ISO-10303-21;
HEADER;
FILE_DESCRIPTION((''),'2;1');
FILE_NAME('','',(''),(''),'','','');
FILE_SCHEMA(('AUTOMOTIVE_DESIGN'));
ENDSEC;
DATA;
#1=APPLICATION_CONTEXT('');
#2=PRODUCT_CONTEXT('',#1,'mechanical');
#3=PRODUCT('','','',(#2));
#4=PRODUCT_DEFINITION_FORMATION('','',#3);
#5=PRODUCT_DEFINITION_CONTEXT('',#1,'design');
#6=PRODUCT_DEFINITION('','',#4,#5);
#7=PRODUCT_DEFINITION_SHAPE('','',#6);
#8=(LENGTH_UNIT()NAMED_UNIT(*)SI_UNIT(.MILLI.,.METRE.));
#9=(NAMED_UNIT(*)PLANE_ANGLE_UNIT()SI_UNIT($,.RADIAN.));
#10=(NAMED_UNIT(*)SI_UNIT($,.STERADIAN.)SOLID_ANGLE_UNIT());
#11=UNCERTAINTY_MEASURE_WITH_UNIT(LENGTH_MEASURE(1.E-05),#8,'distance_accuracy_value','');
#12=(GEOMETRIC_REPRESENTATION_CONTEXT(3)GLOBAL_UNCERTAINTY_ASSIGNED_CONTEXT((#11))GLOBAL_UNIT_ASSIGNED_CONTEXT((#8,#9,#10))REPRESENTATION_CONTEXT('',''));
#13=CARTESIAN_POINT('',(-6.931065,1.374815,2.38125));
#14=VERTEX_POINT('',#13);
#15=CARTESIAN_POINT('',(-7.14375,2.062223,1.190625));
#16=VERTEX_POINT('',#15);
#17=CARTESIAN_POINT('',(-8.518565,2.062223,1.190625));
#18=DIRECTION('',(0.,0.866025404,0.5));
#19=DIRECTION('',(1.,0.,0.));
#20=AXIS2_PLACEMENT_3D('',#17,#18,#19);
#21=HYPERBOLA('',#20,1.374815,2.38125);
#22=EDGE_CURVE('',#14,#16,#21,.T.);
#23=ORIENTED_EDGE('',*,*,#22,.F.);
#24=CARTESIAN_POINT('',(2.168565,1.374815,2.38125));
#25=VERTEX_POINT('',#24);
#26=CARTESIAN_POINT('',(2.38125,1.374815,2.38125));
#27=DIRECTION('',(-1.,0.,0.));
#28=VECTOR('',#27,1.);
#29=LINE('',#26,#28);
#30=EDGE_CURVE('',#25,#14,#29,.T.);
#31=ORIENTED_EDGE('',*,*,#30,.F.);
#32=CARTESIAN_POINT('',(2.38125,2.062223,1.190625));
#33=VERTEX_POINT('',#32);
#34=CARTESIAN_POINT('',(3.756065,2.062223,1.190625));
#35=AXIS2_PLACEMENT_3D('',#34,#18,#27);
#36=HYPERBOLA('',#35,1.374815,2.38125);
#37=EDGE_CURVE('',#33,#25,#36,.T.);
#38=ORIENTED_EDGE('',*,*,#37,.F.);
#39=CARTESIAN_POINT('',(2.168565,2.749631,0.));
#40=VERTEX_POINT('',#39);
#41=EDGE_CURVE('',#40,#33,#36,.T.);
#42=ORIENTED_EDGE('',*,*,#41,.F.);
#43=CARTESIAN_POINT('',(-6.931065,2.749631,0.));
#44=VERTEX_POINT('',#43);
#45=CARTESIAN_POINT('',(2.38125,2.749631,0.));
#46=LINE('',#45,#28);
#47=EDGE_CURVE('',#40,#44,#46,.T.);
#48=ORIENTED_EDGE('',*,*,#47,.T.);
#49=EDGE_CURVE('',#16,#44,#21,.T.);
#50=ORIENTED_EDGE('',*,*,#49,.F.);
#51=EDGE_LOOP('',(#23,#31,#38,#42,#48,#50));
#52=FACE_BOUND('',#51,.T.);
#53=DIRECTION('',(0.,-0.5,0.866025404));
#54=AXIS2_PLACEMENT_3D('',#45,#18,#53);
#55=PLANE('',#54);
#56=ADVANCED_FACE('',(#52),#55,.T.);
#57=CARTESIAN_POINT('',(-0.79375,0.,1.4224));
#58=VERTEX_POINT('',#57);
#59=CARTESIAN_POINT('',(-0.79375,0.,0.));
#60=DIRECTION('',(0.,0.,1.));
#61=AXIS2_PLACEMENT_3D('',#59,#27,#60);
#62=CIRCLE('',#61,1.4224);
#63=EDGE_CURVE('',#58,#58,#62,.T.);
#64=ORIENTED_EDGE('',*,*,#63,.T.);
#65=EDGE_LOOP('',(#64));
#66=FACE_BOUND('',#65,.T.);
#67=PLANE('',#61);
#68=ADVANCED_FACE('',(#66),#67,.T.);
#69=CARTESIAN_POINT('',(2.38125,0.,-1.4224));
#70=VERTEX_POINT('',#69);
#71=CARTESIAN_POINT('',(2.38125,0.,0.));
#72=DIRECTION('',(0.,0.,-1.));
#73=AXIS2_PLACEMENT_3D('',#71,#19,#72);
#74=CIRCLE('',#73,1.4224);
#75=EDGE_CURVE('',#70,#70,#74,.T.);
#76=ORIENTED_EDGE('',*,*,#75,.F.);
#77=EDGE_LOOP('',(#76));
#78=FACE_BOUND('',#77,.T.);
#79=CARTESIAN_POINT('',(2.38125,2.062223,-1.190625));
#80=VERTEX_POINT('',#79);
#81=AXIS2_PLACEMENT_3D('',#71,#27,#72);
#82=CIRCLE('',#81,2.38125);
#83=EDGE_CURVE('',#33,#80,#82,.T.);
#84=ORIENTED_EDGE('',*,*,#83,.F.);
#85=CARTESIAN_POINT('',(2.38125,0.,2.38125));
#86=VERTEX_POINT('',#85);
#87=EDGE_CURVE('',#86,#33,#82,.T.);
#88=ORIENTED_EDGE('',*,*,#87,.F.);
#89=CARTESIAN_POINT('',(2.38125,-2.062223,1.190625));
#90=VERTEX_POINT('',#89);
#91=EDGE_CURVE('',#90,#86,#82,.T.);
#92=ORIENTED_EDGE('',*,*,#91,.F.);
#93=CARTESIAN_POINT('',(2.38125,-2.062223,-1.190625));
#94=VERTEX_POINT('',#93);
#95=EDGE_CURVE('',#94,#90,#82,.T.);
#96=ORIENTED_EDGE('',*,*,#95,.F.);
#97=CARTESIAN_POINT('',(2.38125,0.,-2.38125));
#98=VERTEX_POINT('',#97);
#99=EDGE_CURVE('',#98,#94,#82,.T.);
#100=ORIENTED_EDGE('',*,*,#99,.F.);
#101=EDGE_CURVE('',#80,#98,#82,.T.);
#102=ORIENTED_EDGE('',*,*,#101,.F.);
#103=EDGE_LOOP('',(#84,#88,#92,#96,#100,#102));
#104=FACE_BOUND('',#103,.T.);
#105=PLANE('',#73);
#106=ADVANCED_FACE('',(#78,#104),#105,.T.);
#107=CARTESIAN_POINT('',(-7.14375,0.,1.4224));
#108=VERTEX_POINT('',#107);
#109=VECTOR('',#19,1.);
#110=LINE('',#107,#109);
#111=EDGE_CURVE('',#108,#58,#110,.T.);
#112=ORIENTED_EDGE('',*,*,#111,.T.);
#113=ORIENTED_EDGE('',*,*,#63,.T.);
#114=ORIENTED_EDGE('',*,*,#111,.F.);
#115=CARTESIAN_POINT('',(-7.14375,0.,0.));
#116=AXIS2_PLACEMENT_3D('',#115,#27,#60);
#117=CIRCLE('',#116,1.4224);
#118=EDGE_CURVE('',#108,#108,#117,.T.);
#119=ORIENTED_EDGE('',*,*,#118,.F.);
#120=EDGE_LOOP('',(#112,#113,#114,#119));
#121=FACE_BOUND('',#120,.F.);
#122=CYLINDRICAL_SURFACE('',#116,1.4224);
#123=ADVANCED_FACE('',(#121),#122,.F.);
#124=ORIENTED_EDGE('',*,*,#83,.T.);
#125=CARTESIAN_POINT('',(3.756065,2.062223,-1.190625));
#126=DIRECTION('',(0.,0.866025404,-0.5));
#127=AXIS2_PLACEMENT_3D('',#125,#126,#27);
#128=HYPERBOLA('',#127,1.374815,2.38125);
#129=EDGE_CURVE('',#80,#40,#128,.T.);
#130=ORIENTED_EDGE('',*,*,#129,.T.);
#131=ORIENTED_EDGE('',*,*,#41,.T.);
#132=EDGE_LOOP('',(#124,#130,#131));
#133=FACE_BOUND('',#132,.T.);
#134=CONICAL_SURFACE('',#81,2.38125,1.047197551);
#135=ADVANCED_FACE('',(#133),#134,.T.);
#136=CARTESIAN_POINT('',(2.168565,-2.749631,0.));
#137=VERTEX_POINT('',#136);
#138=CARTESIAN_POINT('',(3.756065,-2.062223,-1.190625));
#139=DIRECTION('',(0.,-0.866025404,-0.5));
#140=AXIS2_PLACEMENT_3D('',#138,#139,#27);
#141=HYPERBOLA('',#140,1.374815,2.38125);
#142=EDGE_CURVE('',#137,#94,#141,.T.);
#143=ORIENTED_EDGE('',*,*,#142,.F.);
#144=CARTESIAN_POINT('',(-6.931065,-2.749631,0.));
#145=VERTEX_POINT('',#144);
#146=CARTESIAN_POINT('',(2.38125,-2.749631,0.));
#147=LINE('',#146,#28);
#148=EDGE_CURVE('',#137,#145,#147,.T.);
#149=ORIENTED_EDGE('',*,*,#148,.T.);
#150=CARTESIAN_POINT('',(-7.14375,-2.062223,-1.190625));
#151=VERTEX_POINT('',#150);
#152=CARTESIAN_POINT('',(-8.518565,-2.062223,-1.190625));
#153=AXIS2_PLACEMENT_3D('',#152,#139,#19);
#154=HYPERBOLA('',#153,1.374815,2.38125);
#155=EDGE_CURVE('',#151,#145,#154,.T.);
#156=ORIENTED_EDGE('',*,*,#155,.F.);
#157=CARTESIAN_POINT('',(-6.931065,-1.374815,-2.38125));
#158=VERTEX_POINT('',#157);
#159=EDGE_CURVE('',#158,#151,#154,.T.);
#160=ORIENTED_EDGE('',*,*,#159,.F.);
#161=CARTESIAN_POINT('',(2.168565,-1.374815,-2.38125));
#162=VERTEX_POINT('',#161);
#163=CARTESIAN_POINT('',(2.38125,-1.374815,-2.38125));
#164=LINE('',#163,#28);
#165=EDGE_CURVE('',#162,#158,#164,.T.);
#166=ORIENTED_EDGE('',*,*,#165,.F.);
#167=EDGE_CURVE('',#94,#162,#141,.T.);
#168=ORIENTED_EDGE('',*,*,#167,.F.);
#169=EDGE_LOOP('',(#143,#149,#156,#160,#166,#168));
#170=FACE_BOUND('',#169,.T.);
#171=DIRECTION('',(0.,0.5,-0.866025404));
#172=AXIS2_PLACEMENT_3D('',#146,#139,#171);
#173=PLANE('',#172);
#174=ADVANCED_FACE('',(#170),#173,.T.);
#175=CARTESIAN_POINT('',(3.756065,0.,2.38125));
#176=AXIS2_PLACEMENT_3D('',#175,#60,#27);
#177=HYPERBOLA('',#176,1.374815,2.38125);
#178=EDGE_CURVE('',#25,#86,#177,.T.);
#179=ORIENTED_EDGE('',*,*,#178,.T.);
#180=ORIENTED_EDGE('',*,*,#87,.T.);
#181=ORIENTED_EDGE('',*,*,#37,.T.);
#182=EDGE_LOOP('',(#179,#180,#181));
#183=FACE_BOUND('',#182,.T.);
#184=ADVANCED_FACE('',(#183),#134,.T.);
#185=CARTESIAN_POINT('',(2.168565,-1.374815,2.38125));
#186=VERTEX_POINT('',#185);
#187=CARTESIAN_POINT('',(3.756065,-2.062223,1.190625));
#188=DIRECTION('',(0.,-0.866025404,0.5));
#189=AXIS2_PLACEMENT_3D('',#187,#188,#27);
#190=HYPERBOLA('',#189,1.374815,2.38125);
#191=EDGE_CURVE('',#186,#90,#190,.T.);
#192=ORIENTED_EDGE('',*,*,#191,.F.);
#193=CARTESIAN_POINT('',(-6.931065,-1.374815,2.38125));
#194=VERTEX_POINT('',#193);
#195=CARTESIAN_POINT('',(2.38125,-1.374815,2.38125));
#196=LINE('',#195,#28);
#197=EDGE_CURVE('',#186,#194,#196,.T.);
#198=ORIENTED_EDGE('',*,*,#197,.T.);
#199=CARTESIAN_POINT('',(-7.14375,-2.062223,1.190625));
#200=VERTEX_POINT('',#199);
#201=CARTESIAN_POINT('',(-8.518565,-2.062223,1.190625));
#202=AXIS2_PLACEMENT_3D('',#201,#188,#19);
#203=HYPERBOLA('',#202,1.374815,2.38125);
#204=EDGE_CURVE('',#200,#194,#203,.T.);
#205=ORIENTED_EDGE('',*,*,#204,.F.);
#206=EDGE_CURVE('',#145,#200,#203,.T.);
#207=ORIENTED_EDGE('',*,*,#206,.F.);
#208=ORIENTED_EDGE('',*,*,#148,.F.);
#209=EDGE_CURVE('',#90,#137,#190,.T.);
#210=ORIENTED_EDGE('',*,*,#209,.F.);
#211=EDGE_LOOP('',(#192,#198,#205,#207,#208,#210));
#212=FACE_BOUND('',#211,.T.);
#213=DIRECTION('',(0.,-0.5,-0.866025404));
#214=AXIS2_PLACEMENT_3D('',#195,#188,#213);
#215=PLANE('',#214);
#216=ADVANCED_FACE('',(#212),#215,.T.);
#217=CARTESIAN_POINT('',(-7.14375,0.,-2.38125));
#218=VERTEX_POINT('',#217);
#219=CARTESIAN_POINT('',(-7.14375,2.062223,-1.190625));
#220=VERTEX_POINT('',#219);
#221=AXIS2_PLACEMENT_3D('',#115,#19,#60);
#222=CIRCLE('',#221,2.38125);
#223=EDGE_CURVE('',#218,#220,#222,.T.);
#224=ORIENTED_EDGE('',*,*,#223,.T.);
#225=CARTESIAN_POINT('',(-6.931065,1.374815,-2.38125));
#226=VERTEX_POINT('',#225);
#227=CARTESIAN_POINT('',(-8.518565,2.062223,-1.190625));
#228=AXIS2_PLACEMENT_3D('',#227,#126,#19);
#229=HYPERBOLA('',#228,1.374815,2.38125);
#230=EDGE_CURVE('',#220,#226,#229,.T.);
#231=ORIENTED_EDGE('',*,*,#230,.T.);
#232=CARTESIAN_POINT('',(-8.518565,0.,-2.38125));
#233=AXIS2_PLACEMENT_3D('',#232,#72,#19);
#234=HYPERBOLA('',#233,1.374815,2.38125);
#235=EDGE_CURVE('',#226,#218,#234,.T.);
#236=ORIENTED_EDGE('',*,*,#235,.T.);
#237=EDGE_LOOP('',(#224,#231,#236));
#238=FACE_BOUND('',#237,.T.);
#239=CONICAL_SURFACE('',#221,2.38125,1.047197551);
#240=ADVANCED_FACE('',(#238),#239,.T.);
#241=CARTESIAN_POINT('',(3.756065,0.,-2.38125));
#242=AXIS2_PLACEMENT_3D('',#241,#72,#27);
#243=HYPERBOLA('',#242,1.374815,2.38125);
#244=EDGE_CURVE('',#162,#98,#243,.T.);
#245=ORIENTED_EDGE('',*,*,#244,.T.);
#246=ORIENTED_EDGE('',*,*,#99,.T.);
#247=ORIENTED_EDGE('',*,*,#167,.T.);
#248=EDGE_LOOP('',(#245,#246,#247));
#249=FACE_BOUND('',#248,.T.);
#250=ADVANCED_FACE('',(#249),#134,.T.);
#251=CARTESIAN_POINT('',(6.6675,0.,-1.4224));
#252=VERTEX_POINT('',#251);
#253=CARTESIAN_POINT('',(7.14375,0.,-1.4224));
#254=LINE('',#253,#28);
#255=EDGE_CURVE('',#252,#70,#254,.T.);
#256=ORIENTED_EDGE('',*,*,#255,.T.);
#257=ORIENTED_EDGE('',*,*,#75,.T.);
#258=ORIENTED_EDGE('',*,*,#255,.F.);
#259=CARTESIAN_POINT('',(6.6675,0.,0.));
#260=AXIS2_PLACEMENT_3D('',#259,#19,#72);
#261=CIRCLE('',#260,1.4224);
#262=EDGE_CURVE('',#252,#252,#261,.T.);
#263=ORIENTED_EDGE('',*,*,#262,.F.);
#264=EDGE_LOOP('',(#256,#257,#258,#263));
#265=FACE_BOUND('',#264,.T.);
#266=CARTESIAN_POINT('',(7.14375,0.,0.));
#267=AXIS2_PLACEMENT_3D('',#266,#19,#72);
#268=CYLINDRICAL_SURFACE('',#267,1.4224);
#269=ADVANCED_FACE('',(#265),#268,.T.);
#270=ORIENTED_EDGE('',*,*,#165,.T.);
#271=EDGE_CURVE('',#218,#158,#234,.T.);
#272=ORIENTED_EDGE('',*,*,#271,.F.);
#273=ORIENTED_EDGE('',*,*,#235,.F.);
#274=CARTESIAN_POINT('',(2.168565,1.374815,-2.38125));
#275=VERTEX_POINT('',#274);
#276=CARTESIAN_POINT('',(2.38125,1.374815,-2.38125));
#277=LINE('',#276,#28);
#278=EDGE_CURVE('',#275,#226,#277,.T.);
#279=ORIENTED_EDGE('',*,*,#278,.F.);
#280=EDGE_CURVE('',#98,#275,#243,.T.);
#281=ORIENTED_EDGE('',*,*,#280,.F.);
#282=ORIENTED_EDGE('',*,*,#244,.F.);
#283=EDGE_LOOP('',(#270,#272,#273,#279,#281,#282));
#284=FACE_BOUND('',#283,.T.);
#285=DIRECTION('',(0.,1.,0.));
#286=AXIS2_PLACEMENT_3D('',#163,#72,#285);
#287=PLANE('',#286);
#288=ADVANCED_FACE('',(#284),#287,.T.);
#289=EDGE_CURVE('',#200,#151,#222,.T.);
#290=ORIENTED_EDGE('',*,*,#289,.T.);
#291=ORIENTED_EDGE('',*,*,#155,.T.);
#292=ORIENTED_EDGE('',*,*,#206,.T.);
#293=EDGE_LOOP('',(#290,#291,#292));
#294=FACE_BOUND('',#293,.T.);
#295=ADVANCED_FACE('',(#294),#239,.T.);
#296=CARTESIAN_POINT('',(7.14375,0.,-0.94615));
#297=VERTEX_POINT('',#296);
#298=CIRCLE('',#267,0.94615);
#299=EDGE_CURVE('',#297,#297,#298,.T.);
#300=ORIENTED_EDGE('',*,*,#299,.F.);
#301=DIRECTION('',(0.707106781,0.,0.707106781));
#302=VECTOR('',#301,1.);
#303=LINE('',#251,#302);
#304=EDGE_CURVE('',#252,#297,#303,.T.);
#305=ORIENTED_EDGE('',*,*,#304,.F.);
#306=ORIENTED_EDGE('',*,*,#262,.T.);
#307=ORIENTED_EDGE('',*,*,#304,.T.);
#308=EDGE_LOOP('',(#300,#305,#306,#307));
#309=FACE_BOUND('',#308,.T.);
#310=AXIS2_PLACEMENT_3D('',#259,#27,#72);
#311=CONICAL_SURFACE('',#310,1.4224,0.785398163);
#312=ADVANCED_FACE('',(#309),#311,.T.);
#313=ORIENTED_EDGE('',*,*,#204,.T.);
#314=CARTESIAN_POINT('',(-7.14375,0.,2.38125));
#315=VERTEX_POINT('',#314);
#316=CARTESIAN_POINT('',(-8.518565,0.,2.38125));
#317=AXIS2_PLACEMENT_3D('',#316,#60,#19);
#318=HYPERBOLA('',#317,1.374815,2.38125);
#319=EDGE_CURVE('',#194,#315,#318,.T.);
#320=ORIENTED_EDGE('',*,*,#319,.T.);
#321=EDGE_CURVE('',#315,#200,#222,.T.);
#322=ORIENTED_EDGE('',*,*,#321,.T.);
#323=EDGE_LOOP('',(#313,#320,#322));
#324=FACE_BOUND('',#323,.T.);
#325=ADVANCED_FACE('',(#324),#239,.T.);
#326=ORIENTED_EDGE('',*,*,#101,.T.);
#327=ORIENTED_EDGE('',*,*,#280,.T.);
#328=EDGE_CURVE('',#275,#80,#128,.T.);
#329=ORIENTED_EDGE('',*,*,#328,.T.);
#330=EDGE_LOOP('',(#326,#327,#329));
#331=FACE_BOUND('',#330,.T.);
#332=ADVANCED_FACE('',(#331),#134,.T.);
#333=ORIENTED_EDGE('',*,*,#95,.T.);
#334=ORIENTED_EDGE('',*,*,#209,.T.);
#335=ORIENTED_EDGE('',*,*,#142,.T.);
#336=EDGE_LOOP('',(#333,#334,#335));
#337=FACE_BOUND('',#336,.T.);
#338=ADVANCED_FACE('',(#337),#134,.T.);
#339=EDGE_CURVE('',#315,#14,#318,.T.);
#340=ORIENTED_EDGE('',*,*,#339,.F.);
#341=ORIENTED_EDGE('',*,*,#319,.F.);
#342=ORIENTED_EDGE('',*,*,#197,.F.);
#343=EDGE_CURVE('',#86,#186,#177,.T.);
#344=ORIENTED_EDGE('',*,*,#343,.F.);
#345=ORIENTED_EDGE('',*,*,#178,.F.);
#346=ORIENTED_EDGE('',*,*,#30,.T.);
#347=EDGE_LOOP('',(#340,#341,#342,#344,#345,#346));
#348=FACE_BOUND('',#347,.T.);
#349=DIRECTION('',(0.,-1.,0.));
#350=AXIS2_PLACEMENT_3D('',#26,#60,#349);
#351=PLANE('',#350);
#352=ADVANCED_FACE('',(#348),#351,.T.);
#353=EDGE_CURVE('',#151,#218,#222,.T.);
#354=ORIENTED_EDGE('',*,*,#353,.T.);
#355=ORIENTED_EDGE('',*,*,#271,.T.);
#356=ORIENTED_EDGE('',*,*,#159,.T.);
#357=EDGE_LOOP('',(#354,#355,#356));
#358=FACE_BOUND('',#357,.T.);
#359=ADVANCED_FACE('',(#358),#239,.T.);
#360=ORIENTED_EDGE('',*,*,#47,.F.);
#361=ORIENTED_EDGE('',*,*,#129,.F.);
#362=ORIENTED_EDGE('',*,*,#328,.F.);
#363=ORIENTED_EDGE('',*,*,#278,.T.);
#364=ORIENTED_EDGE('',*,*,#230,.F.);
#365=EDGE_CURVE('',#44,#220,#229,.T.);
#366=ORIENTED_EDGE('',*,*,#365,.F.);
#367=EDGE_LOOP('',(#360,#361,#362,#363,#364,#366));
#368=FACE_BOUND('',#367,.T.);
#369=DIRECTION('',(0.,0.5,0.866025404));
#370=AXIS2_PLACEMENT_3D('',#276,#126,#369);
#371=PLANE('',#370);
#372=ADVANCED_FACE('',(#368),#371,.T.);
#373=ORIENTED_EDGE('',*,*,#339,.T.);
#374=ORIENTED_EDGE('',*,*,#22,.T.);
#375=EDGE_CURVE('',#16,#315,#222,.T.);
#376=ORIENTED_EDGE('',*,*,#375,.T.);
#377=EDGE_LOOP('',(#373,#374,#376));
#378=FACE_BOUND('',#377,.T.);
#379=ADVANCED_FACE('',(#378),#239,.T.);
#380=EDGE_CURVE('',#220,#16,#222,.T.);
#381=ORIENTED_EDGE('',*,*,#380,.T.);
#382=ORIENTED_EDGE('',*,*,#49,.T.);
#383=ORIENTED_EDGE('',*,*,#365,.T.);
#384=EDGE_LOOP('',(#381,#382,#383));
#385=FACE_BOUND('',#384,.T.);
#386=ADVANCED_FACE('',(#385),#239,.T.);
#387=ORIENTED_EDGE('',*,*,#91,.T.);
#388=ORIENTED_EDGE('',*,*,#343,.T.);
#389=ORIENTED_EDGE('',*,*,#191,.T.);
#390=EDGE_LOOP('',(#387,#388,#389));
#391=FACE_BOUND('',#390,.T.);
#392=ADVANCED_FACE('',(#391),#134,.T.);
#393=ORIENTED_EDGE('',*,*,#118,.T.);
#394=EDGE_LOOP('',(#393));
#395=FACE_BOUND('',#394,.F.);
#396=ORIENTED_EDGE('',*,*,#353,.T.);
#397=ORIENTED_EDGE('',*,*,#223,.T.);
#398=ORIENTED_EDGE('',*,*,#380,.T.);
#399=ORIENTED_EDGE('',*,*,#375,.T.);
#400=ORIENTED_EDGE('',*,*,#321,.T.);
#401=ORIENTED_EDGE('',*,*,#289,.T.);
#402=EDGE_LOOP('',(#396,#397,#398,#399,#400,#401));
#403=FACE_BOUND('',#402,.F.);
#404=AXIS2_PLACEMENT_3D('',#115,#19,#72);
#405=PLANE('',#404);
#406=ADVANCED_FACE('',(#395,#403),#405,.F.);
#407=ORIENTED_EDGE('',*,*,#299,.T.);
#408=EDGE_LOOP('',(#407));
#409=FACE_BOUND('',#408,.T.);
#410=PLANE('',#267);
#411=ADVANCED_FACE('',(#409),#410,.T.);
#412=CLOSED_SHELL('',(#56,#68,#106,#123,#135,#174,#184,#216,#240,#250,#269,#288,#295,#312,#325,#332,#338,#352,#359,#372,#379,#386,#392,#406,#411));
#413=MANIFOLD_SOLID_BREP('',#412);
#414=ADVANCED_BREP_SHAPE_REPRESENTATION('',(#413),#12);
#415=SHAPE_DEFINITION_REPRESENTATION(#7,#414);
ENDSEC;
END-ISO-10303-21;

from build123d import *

# Parameters (mm, degrees)
SKETCH2_R         = 1.4224
EXTRUDE1_DEPTH    = 4.7625
CHAMFER1_SIZE     = 0.47625
EXTRUDE4_DEPTH    = 9.525
SKETCH8_OUTSIDE_W = 62.926
SKETCH8_OUTSIDE_H = 63.664
SKETCH8_OUTSIDE_R = 2.38125
EXTRUDE5_DEPTH    = 15.2875
EXTRUDE5_TAPER    = 60
SKETCH9_OUTSIDE_W = 46.428
SKETCH9_OUTSIDE_H = 47.166
SKETCH9_OUTSIDE_R = 2.38125
EXTRUDE6_DEPTH    = 10.525
EXTRUDE6_TAPER    = 60
SKETCH10_R        = 1.4224
EXTRUDE7_DEPTH    = 6.35


with BuildPart() as part:
    # Sketch2 → Extrude1 (new body)
    with BuildSketch(Plane(origin=(7.14375, 0, 0), x_dir=(0, 0, -1), z_dir=(1, 0, 0))):
        Circle(SKETCH2_R)
    extrude(amount=-EXTRUDE1_DEPTH)

    # Chamfer1
    chamfer1_edges = [part.edges().sort_by_distance(p)[0] for p in [
        (7.14375, 0, 1.4224),
    ]]
    chamfer(chamfer1_edges, length=CHAMFER1_SIZE)

    # Sketch7 → Extrude4 (add)
    with BuildSketch(Plane(origin=(2.38125, 0, 0), x_dir=(0, 0, -1), z_dir=(1, 0, 0))):
        Polygon((0, 2.749630657), (-2.38125, 1.374815329), (-2.38125, -1.374815329), (0, -2.749630657), (2.38125, -1.374815329), (2.38125, 1.374815329), align=None)
    extrude(amount=-EXTRUDE4_DEPTH)

    # Sketch8 outside → Extrude5 (cut, through all)
    with BuildSketch(Plane.ZY.offset(7.14375)):
        Rectangle(SKETCH8_OUTSIDE_W, SKETCH8_OUTSIDE_H)
        Circle(SKETCH8_OUTSIDE_R, mode=Mode.SUBTRACT)
    extrude(amount=-EXTRUDE5_DEPTH, taper=EXTRUDE5_TAPER, mode=Mode.SUBTRACT)

    # Sketch9 outside → Extrude6 (cut, through all)
    with BuildSketch(Plane(origin=(2.38125, 0, 0), x_dir=(0, 0, -1), z_dir=(1, 0, 0))):
        Rectangle(SKETCH9_OUTSIDE_W, SKETCH9_OUTSIDE_H)
        Circle(SKETCH9_OUTSIDE_R, mode=Mode.SUBTRACT)
    extrude(amount=-EXTRUDE6_DEPTH, taper=EXTRUDE6_TAPER, mode=Mode.SUBTRACT)

    # Sketch10 → Extrude7 (cut)
    with BuildSketch(Plane.ZY.offset(7.14375)):
        Circle(SKETCH10_R)
    extrude(amount=-EXTRUDE7_DEPTH, mode=Mode.SUBTRACT)


solid = part.part
